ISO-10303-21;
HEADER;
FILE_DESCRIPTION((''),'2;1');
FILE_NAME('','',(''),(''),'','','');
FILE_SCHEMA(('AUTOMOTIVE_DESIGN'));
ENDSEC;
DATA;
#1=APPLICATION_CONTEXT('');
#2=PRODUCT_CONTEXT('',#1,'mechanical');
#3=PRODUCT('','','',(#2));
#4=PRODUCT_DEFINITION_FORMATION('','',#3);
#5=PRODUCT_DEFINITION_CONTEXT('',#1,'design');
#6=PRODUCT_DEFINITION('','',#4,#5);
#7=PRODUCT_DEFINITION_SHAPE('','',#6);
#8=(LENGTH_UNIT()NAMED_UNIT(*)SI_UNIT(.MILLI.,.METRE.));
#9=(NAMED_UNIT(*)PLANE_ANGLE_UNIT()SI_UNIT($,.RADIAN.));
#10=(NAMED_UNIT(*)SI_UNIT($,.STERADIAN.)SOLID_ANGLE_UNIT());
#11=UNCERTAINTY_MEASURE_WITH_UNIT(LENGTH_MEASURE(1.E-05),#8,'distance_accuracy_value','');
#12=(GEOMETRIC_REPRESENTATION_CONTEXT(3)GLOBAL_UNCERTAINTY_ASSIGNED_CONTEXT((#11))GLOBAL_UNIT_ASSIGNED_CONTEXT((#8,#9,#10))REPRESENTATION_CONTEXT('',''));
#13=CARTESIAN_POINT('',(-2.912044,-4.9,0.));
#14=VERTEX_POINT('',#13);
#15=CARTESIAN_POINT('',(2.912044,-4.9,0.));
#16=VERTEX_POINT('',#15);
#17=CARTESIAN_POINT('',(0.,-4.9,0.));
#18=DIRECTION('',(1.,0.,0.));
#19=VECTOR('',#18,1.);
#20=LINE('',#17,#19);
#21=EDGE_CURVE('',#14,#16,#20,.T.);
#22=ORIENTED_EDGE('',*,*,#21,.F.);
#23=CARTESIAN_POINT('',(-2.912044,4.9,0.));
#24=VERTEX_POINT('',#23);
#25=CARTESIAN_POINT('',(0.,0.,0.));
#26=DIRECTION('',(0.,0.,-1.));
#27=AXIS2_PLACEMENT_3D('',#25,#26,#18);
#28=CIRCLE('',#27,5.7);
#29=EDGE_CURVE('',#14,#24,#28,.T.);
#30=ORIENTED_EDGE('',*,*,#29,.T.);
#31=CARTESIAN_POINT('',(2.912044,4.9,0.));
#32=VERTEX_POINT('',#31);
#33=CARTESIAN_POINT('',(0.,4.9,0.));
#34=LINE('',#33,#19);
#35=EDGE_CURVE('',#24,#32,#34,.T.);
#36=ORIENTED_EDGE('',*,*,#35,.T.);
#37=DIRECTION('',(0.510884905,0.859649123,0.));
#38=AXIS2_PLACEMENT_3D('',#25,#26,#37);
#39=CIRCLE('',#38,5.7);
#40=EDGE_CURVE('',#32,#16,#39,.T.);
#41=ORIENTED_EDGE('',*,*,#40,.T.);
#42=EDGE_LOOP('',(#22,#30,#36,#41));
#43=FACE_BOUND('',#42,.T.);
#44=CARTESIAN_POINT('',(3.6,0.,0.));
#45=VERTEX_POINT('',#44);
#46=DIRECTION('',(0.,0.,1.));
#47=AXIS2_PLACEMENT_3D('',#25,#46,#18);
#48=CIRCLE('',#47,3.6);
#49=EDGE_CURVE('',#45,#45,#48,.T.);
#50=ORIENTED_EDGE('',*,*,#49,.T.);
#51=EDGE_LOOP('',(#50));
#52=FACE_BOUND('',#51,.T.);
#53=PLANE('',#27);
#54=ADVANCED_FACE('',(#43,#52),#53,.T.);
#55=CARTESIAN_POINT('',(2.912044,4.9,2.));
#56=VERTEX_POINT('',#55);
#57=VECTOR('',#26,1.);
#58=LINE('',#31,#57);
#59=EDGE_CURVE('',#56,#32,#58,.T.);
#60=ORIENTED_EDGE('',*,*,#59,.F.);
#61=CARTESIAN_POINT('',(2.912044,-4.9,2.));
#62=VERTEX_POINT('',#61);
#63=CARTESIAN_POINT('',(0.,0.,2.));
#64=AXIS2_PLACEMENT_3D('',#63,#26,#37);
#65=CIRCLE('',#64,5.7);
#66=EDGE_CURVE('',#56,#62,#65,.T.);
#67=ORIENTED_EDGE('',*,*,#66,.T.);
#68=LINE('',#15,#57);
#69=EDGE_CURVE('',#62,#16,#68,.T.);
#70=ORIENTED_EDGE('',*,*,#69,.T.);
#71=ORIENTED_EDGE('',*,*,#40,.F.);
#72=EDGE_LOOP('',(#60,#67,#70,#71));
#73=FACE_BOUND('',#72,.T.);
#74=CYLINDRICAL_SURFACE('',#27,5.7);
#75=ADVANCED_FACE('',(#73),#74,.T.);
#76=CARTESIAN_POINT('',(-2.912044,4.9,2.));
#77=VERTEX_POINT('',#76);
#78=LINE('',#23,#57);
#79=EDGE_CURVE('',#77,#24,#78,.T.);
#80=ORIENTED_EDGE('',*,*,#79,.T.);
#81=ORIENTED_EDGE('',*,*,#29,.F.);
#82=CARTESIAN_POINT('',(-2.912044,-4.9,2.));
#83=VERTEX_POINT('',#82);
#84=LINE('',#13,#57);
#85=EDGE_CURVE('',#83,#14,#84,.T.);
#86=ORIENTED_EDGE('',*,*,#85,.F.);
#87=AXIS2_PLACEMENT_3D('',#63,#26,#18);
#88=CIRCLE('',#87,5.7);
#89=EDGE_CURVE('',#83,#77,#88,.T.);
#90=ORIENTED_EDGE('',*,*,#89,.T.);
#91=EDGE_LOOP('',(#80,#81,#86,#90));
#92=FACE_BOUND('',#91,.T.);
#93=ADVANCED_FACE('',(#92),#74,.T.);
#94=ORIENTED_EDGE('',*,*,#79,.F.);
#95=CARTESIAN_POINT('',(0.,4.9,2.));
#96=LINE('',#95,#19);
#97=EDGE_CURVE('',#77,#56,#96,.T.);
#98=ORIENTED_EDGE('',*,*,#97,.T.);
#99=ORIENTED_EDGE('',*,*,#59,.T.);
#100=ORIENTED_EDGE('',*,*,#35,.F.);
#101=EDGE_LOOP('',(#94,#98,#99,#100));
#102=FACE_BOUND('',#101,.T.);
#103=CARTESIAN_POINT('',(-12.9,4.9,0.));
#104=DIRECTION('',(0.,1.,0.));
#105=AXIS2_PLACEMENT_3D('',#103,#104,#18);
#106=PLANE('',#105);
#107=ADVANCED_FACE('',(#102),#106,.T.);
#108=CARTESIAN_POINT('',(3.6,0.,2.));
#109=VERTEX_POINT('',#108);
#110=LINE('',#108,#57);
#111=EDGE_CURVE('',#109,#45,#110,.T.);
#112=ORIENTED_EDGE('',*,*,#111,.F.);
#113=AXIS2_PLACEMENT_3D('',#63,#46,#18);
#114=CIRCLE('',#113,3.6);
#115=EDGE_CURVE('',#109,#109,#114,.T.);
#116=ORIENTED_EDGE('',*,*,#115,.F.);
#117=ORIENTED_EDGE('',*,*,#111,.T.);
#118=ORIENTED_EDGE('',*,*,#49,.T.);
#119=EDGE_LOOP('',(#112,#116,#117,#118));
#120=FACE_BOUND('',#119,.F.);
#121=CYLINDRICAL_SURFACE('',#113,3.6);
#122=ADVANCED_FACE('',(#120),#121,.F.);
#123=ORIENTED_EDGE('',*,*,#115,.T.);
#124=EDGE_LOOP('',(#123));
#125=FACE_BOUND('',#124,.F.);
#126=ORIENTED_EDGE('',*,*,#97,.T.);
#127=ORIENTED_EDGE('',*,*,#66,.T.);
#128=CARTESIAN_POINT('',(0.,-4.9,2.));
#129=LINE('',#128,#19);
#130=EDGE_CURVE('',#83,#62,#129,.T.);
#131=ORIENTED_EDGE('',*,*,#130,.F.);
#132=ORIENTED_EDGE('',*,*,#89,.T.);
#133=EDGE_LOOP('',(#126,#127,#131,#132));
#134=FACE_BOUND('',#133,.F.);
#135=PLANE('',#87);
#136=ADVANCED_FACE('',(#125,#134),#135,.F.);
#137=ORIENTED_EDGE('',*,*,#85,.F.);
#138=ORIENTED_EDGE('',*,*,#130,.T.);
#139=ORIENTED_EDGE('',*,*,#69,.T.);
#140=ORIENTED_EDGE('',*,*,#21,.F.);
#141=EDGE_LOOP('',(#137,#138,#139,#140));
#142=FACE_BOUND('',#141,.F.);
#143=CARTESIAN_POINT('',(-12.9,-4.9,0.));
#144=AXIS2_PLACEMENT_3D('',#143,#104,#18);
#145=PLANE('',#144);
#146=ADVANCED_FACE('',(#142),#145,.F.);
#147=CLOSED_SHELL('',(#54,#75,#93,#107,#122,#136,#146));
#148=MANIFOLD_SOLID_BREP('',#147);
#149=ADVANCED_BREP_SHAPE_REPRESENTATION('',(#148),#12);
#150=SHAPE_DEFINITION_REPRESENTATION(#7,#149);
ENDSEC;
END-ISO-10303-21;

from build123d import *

# Parameters (mm, degrees)
CIRCLE_R         = 3.6
EXTRUDE004_DEPTH = 2
CIRCLE002_R      = 3.5
EXTRUDE002_DEPTH = 2
CIRCLE003_R      = 5.7
EXTRUDE003_DEPTH = 2
RECTANGLE_W      = 25.8
RECTANGLE_H      = 9.8
EXTRUDE_DEPTH    = 2


with BuildPart() as extrude004:
    # Circle → Extrude004 (new body)
    with BuildSketch(Plane.XY.offset(2)):
        Circle(CIRCLE_R)
    extrude(amount=-EXTRUDE004_DEPTH)


with BuildPart() as extrude002:
    # Circle002 (on Rectangle) → Extrude002 (new body)
    with BuildSketch(Plane(origin=(26.064868, 8.047387, 0), x_dir=(1, 0, 0), z_dir=(0, 0, -1))):
        Circle(CIRCLE002_R)
    extrude(amount=-EXTRUDE002_DEPTH)


with BuildPart() as cut001:
    # Circle003 → Extrude003 (new body)
    with BuildSketch(Plane(origin=(26.064868, 8.047387, 0), x_dir=(1, 0, 0), z_dir=(0, 0, -1))):
        Circle(CIRCLE003_R)
    extrude(amount=-EXTRUDE003_DEPTH)

    # Cut001: cut Extrude002
    add(extrude002.part, mode=Mode.SUBTRACT)


with BuildPart() as cut001_1:
    # Cut001 placement: moved
    add(cut001.part.moved(Location((-26.064868, -8.047387, 0))))


with BuildPart() as cut:
    # Rectangle → Extrude (new body)
    with BuildSketch(Plane(origin=(-12.9, 4.9, 0), x_dir=(1, 0, 0), z_dir=(0, 0, -1))):
        with Locations((12.9, 4.9)):
            Rectangle(RECTANGLE_W, RECTANGLE_H)
    extrude(amount=-EXTRUDE_DEPTH)

    # Common: intersect Cut001
    add(cut001_1.part, mode=Mode.INTERSECT)

    # Cut: cut Extrude004
    add(extrude004.part, mode=Mode.SUBTRACT)


solid = cut.part
